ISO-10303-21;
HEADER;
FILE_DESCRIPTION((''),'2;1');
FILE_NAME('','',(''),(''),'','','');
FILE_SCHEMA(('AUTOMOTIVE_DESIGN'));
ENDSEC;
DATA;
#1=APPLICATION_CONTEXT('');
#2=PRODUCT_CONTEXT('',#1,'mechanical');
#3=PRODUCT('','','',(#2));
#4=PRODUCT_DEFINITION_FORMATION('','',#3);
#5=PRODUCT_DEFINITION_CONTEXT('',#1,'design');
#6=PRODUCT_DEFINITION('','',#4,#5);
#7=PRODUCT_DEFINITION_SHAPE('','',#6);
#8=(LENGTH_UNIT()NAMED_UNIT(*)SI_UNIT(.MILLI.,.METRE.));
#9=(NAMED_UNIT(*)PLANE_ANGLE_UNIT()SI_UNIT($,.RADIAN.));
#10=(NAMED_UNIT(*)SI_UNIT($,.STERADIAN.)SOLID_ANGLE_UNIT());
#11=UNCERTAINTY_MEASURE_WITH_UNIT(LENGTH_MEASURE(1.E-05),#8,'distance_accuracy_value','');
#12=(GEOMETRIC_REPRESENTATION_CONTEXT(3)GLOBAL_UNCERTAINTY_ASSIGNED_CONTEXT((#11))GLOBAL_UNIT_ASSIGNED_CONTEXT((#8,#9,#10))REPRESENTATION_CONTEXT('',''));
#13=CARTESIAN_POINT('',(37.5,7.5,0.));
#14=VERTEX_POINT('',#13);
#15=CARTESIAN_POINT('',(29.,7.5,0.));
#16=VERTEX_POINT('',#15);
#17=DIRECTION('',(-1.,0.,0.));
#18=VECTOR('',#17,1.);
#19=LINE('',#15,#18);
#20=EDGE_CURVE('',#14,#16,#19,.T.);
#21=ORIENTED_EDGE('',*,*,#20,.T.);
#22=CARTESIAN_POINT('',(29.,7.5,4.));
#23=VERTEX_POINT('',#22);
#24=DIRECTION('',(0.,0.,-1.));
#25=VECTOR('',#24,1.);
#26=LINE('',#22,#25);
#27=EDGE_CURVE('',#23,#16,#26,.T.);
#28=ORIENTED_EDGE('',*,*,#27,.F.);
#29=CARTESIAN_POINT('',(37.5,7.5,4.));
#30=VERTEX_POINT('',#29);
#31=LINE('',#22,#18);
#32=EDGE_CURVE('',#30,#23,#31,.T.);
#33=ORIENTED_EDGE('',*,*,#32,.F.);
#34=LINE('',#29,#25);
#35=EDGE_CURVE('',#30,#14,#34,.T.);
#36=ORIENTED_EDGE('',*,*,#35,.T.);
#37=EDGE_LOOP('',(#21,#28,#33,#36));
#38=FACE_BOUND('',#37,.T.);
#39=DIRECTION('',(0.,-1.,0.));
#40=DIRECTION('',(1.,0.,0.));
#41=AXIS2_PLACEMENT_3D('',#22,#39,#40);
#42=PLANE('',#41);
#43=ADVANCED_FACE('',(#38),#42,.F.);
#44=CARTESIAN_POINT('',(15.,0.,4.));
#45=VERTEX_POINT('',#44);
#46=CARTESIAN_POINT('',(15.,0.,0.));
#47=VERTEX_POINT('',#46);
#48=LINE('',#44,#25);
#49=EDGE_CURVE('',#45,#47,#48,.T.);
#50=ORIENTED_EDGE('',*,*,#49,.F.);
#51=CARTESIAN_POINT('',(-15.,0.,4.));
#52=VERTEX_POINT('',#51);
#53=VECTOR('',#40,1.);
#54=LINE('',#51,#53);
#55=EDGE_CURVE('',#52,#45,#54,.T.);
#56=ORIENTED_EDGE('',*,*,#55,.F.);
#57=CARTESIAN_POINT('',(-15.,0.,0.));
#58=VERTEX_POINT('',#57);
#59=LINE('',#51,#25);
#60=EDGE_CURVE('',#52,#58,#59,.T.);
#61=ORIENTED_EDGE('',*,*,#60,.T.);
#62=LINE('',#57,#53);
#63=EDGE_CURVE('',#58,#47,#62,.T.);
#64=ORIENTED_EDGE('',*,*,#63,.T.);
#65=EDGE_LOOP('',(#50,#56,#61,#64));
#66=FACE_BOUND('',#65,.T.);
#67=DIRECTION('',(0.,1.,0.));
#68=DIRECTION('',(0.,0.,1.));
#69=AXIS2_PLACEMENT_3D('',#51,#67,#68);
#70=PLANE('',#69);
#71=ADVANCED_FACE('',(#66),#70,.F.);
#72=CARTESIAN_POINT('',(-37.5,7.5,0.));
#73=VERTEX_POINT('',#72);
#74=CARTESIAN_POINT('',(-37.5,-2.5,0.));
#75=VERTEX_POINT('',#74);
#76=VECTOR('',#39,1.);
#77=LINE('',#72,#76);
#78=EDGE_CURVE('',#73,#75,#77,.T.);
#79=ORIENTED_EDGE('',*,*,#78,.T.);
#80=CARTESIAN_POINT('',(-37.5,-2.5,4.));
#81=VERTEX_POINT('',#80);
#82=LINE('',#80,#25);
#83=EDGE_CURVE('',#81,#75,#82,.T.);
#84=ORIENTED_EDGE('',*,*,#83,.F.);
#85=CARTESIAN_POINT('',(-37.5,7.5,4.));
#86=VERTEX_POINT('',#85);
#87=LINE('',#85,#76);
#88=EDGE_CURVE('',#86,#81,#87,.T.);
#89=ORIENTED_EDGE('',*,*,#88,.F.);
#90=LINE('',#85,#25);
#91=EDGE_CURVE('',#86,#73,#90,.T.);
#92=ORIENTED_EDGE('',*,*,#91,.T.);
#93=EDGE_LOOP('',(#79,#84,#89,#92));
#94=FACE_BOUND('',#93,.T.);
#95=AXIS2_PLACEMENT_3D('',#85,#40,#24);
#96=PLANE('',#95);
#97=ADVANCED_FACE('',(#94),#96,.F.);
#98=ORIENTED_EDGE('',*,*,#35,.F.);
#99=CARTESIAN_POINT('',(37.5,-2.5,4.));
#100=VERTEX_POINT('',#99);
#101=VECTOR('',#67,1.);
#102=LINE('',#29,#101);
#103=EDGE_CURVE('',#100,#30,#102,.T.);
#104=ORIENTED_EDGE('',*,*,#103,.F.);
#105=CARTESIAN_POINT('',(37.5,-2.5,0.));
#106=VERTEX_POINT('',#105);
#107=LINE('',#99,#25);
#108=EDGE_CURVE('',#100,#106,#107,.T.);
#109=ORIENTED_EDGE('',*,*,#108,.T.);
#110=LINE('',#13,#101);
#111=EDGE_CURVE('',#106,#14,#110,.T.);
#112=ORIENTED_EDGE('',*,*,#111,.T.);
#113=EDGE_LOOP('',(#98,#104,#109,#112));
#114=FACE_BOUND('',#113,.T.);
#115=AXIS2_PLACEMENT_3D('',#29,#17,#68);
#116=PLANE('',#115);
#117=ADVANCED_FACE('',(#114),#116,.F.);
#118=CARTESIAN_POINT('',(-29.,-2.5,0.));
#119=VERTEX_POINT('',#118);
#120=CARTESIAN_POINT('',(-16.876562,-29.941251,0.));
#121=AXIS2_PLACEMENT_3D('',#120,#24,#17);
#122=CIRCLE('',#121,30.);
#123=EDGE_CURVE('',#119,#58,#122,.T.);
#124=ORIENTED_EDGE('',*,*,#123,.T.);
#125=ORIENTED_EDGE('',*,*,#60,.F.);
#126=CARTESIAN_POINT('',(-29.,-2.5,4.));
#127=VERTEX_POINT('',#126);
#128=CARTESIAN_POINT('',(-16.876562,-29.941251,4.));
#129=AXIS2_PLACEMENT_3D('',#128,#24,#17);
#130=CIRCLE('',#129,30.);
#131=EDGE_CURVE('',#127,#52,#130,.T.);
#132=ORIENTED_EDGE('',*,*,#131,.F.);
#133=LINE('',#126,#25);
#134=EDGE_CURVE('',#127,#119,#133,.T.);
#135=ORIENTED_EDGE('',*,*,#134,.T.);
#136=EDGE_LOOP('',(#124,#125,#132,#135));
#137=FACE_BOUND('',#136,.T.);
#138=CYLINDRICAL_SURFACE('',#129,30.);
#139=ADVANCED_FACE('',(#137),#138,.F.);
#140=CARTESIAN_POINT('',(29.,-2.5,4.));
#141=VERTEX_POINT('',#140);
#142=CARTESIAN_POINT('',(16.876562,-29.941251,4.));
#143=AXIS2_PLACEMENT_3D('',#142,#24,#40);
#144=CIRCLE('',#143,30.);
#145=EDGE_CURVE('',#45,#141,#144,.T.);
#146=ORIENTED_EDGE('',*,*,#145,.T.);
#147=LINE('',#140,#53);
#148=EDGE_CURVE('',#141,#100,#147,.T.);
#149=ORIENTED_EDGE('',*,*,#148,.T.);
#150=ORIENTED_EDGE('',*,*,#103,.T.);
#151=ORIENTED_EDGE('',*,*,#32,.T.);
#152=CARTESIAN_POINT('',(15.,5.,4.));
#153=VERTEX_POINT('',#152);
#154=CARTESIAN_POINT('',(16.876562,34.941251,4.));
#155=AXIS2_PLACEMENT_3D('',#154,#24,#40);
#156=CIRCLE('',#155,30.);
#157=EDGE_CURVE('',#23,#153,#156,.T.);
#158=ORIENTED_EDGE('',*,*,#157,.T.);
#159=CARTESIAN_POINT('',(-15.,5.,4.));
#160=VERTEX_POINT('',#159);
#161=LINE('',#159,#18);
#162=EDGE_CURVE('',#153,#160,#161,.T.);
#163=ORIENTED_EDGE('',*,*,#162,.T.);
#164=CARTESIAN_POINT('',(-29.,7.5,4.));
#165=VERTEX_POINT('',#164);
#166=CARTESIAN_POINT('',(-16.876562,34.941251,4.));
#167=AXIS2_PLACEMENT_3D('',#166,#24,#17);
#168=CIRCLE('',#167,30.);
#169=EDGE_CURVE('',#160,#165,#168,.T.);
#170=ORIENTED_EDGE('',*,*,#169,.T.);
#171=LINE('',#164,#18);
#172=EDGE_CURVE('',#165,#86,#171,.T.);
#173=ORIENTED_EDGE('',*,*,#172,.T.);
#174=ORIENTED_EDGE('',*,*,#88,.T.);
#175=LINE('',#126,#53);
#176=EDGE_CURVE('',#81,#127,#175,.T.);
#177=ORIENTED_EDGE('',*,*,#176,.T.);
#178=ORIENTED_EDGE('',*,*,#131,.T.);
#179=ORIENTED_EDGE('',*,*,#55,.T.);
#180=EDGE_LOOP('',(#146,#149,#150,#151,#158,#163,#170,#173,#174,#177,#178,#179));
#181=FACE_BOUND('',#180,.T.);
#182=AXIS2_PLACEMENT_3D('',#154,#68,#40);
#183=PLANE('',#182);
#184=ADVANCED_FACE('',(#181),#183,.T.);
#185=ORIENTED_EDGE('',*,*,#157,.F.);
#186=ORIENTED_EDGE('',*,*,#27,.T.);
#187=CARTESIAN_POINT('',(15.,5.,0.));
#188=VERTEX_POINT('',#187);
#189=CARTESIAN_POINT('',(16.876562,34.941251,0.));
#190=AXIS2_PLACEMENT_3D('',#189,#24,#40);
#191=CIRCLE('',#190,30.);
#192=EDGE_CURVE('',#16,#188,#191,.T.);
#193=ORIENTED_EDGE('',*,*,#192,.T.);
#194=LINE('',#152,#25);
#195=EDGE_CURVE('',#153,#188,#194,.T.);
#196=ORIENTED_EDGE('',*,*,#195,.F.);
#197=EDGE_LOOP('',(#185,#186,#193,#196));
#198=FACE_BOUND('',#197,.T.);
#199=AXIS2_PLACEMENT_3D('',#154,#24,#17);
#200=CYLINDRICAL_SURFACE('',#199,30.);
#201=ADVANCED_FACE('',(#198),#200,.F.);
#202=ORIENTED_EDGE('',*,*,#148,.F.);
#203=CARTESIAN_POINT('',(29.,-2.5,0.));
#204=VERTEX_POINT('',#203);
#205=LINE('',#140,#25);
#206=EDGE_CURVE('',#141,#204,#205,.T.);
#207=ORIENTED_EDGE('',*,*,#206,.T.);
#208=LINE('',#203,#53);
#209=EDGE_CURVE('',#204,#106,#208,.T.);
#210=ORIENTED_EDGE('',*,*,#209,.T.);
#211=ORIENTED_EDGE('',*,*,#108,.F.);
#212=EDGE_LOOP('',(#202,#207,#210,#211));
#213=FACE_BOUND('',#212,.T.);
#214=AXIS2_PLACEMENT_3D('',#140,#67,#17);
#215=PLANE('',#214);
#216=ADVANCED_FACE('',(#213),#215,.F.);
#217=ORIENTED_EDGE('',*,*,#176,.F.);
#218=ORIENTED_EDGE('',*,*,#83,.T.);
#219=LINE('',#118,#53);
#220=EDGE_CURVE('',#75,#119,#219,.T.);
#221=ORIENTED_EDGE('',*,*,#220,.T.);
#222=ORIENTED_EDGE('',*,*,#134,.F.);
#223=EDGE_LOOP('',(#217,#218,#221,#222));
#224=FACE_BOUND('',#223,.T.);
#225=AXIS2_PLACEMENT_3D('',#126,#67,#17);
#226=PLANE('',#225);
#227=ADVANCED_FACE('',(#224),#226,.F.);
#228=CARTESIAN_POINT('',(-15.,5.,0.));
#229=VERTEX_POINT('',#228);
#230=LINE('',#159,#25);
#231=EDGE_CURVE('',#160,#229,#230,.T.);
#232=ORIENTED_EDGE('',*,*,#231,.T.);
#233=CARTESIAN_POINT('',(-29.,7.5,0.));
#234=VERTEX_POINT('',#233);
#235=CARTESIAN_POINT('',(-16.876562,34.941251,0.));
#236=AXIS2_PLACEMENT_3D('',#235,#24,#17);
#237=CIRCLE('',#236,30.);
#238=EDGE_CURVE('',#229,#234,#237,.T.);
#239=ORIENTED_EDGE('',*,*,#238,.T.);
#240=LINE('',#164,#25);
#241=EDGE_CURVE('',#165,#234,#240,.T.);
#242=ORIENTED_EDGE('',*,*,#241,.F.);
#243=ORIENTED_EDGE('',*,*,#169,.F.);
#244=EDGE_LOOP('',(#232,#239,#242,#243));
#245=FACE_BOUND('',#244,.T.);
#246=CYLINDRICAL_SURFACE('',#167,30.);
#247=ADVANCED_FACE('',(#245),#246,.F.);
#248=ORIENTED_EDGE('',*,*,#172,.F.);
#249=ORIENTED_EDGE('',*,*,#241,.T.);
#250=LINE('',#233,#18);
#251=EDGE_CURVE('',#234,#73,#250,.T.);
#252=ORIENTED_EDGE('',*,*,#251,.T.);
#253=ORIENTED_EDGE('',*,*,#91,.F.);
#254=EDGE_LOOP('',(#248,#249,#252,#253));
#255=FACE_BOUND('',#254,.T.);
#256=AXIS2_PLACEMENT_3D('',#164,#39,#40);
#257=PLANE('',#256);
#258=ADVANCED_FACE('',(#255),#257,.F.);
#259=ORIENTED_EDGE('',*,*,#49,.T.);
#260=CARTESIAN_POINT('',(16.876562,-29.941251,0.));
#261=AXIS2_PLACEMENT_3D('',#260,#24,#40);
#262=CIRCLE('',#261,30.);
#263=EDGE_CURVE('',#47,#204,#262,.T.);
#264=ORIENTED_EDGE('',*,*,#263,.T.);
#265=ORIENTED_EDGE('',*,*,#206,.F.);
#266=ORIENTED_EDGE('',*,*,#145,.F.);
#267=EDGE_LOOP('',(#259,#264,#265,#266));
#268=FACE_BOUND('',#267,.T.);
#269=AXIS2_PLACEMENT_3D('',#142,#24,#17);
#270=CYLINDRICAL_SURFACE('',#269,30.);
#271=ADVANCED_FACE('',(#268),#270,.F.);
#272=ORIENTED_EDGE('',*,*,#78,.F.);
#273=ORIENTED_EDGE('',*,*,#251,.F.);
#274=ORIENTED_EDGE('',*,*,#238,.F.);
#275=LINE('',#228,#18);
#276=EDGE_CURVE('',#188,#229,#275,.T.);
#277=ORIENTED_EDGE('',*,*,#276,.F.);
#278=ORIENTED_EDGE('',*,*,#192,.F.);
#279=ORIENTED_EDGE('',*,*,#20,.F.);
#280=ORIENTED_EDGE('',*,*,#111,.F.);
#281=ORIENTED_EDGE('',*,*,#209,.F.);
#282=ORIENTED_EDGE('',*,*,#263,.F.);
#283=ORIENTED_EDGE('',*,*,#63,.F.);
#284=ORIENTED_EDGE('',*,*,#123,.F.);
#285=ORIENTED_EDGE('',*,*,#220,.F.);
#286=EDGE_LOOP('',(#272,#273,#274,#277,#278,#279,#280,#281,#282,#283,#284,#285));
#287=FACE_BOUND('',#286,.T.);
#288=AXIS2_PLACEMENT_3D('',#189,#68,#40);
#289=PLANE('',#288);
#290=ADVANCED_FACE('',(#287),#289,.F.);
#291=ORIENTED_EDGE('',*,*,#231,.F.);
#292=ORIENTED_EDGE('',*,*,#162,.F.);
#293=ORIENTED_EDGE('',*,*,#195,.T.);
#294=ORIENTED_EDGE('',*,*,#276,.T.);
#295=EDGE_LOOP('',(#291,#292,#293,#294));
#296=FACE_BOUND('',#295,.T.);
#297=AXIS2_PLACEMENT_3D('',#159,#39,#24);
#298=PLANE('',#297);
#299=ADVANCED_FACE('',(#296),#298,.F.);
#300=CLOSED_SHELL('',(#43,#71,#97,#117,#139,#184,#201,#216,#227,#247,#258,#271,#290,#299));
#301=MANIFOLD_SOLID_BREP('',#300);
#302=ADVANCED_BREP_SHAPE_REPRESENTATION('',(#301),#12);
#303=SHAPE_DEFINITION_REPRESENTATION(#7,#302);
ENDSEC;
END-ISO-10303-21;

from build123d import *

# Parameters (mm, degrees)
BOSS_EXTRUDE1_DEPTH = 4


with BuildPart() as part:
    # Sketch1 → Boss-Extrude1 (new body)
    with BuildSketch(Plane.XY):
        with BuildLine():
            Line((-15, 0), (15, 0))
            ThreePointArc((15, 0), (22.150281469, -0.408423775), (29, -2.5))
            Line((29, -2.5), (37.5, -2.5))
            Line((37.5, -2.5), (37.5, 7.5))
            Line((37.5, 7.5), (29, 7.5))
            ThreePointArc((29, 7.5), (22.150281469, 5.408423775), (15, 5))
            Line((15, 5), (-15, 5))
            ThreePointArc((-15, 5), (-22.150281469, 5.408423775), (-29, 7.5))
            Line((-29, 7.5), (-37.5, 7.5))
            Line((-37.5, 7.5), (-37.5, -2.5))
            Line((-37.5, -2.5), (-29, -2.5))
            ThreePointArc((-29, -2.5), (-22.150281469, -0.408423775), (-15, 0))
        make_face()
    extrude(amount=BOSS_EXTRUDE1_DEPTH)


solid = part.part
